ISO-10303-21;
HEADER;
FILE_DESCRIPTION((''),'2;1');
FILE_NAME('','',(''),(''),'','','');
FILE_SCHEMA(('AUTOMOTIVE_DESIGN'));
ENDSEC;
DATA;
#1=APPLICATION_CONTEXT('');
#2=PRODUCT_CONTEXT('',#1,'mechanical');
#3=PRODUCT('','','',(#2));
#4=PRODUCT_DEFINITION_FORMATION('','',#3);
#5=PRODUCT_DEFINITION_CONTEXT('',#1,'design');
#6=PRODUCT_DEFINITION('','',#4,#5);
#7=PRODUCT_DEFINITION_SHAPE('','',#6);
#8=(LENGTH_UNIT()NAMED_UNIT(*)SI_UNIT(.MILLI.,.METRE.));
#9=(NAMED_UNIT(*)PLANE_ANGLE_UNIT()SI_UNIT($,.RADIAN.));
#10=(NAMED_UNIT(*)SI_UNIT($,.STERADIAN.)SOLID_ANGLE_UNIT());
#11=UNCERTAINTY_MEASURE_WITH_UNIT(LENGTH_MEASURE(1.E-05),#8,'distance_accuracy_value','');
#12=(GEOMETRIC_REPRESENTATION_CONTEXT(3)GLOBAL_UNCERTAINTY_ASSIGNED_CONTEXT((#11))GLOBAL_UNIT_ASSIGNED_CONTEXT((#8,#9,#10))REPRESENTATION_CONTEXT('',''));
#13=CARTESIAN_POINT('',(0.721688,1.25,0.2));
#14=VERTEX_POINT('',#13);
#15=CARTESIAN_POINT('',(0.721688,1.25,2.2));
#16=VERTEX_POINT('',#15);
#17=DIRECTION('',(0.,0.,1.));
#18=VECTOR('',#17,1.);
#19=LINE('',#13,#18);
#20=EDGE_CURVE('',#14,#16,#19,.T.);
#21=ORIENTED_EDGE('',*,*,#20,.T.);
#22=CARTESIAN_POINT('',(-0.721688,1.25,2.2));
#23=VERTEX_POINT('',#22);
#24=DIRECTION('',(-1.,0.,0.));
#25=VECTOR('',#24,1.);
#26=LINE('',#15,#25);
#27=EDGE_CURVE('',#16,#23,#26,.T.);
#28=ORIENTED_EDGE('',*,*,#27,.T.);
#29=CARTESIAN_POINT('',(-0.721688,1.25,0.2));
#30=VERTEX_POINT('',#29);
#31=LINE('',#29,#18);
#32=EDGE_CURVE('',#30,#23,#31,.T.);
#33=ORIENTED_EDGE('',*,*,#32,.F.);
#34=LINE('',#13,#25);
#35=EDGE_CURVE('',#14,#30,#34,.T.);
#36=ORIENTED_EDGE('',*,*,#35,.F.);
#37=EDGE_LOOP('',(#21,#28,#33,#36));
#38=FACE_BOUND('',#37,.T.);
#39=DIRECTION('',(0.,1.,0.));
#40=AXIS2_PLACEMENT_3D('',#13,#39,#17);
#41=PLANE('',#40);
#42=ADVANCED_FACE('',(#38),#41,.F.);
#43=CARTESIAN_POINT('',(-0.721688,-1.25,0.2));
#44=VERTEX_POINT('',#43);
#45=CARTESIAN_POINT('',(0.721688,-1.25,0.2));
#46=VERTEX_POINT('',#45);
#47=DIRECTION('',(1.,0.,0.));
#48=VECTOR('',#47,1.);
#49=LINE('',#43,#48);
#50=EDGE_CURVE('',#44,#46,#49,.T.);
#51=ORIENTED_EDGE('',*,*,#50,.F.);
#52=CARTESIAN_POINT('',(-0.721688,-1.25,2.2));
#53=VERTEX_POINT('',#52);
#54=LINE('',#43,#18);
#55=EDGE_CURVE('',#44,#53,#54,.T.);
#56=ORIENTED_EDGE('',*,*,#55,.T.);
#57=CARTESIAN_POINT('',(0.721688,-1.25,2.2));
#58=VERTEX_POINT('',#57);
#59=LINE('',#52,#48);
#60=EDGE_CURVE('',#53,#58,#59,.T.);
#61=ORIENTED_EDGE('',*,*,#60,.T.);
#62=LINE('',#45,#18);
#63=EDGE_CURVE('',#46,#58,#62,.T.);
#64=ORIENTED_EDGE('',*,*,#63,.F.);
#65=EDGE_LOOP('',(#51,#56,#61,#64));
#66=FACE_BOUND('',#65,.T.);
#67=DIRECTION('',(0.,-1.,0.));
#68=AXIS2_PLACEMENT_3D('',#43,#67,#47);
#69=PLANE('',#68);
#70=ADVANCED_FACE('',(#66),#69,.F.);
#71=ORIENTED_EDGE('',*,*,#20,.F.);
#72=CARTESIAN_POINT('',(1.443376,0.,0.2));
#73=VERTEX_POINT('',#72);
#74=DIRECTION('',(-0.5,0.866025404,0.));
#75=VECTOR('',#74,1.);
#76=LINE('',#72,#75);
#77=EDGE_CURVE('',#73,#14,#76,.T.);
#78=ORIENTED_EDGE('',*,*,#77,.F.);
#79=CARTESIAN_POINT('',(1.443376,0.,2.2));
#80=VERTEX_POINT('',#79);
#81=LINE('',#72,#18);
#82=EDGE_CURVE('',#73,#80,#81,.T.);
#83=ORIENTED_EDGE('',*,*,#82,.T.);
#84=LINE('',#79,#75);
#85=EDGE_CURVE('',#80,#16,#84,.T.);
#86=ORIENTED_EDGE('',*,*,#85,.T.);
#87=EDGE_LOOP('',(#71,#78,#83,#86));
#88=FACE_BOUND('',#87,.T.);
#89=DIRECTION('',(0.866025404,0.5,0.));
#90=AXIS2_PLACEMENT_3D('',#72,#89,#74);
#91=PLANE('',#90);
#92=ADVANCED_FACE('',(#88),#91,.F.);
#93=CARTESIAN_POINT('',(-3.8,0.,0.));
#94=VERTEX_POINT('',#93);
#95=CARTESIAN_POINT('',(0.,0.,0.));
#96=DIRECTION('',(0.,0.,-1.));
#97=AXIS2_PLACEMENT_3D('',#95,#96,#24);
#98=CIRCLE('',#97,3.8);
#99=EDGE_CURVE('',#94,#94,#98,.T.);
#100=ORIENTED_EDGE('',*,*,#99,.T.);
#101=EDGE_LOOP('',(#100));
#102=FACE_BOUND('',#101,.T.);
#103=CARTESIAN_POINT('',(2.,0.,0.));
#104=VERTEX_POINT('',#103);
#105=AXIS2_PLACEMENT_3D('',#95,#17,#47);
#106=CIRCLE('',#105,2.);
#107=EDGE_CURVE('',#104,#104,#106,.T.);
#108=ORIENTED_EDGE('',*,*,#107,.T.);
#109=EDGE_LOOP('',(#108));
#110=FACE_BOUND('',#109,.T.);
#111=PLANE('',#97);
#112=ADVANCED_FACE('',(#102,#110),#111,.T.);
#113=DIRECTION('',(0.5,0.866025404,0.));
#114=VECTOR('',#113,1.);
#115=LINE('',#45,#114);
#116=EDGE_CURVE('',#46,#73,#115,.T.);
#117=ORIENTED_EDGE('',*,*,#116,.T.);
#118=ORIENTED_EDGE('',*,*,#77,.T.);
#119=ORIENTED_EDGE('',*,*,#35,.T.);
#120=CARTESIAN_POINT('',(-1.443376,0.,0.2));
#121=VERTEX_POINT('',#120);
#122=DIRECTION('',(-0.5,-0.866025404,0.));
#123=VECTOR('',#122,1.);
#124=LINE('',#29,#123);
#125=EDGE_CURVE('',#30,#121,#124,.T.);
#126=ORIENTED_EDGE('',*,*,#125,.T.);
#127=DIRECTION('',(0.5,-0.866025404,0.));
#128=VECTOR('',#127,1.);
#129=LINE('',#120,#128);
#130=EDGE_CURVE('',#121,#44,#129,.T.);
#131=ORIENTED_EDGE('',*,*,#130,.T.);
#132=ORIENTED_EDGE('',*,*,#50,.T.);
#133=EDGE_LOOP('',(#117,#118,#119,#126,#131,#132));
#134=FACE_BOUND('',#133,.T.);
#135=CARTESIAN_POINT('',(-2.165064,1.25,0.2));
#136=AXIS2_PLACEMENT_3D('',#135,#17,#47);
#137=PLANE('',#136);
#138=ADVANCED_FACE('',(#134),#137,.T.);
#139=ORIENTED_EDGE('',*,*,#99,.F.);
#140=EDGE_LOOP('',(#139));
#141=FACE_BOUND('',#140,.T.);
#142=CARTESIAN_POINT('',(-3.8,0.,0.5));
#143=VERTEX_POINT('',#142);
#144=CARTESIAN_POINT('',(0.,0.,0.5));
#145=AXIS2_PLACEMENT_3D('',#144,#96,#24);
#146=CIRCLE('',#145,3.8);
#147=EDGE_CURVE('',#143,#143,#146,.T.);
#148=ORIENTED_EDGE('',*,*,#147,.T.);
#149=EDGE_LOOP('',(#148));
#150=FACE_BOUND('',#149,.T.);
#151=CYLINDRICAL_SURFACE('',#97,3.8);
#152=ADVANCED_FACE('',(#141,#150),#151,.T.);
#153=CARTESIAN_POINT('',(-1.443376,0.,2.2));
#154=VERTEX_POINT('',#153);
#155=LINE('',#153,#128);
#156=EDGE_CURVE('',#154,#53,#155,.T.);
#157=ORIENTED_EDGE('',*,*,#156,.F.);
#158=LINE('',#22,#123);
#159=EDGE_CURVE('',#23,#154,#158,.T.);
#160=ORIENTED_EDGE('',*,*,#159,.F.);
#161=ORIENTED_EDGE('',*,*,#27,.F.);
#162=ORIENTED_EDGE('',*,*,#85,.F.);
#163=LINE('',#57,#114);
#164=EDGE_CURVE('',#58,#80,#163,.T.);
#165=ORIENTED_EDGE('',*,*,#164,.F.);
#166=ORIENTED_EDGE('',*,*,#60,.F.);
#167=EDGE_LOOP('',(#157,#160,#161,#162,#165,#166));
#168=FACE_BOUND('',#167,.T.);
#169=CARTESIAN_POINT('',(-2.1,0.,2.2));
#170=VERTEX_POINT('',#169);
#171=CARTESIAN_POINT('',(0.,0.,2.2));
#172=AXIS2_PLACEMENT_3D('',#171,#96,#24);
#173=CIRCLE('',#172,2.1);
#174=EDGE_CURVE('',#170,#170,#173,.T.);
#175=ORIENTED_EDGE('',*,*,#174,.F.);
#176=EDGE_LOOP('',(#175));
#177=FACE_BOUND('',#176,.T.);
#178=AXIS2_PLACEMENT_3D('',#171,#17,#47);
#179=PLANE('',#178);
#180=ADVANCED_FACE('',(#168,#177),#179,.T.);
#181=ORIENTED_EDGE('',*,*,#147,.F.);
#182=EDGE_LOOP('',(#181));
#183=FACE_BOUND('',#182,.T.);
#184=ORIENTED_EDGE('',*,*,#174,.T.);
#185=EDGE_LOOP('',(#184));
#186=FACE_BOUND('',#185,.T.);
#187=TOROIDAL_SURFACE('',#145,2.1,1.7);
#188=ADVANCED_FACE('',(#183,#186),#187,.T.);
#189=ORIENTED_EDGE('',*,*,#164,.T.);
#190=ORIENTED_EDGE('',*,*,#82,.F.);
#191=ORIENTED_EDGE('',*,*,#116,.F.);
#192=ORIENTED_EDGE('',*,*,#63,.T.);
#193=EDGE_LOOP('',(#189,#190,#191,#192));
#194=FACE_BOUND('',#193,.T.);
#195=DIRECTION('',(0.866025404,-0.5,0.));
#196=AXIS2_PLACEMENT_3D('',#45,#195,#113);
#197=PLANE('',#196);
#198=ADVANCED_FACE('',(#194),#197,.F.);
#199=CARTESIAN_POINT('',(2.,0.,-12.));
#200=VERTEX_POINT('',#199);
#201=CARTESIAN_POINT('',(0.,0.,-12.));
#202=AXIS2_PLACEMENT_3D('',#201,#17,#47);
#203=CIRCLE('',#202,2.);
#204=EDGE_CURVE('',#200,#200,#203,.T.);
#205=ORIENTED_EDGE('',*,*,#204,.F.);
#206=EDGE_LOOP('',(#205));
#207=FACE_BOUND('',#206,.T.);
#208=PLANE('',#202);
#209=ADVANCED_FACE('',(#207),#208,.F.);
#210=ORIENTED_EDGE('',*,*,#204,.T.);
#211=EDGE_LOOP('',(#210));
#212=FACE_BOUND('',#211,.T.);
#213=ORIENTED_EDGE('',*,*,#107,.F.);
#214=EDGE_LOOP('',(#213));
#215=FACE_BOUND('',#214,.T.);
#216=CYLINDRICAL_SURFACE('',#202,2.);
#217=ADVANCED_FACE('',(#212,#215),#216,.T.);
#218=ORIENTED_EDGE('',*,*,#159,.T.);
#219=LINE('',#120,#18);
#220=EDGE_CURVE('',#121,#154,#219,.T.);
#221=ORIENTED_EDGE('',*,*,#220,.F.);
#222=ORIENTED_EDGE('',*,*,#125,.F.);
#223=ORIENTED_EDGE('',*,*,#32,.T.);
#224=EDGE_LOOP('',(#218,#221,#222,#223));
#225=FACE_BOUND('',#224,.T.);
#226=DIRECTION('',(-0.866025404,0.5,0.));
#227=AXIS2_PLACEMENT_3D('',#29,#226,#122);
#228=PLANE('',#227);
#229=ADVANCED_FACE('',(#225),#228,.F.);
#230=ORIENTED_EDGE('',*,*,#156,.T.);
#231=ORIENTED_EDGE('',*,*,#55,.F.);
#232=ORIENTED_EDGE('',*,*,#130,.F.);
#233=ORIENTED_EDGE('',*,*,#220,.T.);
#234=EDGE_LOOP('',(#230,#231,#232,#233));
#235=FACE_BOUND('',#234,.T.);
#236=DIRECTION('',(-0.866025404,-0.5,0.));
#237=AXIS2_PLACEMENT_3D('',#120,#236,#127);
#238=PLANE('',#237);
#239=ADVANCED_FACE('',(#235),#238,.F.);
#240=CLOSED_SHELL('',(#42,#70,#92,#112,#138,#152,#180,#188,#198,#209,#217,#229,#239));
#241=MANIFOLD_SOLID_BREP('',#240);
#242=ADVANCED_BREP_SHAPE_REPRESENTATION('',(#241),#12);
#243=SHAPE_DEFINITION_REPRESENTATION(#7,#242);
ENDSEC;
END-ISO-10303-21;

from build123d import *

# Parameters (mm, degrees)
SKETCH1_R          = 2
EXTRUDE1_DEPTH     = 12
CUT_EXTRUDE1_DEPTH = 2


with BuildPart() as part:
    # Sketch1 → Extrude1 (new body)
    with BuildSketch(Plane.XY):
        Circle(SKETCH1_R)
    extrude(amount=-EXTRUDE1_DEPTH)

    # Sketch2 → Revolve1 (revolve)
    with BuildSketch(Plane(origin=(0, 0, 0), x_dir=(0, 0, -1), z_dir=(1, 0, 0)), mode=Mode.PRIVATE) as revolve1_sk:
        with BuildLine():
            Line((0, 0), (0, 3.8))
            Line((0, 3.8), (-0.5, 3.8))
            ThreePointArc((-0.5, 3.8), (-1.702081528, 3.302081528), (-2.2, 2.1))
            Line((-2.2, 2.1), (-2.2, 0))
            Line((-2.2, 0), (0, 0))
        make_face()
    revolve(revolve1_sk.sketch.rotate(Axis((0, 0, 0), (0, 0, 1)), 90), axis=Axis((0, 0, 0), (0, 0, 1)))

    # Sketch3 → Cut-Extrude1 (cut)
    with BuildSketch(Plane.XY.offset(2.2)):
        Polygon((-0.721687836, 1.25), (-1.443375673, 0), (-0.721687836, -1.25), (0.721687836, -1.25), (1.443375673, 0), (0.721687836, 1.25), align=None)
    extrude(amount=-CUT_EXTRUDE1_DEPTH, mode=Mode.SUBTRACT)


solid = part.part
